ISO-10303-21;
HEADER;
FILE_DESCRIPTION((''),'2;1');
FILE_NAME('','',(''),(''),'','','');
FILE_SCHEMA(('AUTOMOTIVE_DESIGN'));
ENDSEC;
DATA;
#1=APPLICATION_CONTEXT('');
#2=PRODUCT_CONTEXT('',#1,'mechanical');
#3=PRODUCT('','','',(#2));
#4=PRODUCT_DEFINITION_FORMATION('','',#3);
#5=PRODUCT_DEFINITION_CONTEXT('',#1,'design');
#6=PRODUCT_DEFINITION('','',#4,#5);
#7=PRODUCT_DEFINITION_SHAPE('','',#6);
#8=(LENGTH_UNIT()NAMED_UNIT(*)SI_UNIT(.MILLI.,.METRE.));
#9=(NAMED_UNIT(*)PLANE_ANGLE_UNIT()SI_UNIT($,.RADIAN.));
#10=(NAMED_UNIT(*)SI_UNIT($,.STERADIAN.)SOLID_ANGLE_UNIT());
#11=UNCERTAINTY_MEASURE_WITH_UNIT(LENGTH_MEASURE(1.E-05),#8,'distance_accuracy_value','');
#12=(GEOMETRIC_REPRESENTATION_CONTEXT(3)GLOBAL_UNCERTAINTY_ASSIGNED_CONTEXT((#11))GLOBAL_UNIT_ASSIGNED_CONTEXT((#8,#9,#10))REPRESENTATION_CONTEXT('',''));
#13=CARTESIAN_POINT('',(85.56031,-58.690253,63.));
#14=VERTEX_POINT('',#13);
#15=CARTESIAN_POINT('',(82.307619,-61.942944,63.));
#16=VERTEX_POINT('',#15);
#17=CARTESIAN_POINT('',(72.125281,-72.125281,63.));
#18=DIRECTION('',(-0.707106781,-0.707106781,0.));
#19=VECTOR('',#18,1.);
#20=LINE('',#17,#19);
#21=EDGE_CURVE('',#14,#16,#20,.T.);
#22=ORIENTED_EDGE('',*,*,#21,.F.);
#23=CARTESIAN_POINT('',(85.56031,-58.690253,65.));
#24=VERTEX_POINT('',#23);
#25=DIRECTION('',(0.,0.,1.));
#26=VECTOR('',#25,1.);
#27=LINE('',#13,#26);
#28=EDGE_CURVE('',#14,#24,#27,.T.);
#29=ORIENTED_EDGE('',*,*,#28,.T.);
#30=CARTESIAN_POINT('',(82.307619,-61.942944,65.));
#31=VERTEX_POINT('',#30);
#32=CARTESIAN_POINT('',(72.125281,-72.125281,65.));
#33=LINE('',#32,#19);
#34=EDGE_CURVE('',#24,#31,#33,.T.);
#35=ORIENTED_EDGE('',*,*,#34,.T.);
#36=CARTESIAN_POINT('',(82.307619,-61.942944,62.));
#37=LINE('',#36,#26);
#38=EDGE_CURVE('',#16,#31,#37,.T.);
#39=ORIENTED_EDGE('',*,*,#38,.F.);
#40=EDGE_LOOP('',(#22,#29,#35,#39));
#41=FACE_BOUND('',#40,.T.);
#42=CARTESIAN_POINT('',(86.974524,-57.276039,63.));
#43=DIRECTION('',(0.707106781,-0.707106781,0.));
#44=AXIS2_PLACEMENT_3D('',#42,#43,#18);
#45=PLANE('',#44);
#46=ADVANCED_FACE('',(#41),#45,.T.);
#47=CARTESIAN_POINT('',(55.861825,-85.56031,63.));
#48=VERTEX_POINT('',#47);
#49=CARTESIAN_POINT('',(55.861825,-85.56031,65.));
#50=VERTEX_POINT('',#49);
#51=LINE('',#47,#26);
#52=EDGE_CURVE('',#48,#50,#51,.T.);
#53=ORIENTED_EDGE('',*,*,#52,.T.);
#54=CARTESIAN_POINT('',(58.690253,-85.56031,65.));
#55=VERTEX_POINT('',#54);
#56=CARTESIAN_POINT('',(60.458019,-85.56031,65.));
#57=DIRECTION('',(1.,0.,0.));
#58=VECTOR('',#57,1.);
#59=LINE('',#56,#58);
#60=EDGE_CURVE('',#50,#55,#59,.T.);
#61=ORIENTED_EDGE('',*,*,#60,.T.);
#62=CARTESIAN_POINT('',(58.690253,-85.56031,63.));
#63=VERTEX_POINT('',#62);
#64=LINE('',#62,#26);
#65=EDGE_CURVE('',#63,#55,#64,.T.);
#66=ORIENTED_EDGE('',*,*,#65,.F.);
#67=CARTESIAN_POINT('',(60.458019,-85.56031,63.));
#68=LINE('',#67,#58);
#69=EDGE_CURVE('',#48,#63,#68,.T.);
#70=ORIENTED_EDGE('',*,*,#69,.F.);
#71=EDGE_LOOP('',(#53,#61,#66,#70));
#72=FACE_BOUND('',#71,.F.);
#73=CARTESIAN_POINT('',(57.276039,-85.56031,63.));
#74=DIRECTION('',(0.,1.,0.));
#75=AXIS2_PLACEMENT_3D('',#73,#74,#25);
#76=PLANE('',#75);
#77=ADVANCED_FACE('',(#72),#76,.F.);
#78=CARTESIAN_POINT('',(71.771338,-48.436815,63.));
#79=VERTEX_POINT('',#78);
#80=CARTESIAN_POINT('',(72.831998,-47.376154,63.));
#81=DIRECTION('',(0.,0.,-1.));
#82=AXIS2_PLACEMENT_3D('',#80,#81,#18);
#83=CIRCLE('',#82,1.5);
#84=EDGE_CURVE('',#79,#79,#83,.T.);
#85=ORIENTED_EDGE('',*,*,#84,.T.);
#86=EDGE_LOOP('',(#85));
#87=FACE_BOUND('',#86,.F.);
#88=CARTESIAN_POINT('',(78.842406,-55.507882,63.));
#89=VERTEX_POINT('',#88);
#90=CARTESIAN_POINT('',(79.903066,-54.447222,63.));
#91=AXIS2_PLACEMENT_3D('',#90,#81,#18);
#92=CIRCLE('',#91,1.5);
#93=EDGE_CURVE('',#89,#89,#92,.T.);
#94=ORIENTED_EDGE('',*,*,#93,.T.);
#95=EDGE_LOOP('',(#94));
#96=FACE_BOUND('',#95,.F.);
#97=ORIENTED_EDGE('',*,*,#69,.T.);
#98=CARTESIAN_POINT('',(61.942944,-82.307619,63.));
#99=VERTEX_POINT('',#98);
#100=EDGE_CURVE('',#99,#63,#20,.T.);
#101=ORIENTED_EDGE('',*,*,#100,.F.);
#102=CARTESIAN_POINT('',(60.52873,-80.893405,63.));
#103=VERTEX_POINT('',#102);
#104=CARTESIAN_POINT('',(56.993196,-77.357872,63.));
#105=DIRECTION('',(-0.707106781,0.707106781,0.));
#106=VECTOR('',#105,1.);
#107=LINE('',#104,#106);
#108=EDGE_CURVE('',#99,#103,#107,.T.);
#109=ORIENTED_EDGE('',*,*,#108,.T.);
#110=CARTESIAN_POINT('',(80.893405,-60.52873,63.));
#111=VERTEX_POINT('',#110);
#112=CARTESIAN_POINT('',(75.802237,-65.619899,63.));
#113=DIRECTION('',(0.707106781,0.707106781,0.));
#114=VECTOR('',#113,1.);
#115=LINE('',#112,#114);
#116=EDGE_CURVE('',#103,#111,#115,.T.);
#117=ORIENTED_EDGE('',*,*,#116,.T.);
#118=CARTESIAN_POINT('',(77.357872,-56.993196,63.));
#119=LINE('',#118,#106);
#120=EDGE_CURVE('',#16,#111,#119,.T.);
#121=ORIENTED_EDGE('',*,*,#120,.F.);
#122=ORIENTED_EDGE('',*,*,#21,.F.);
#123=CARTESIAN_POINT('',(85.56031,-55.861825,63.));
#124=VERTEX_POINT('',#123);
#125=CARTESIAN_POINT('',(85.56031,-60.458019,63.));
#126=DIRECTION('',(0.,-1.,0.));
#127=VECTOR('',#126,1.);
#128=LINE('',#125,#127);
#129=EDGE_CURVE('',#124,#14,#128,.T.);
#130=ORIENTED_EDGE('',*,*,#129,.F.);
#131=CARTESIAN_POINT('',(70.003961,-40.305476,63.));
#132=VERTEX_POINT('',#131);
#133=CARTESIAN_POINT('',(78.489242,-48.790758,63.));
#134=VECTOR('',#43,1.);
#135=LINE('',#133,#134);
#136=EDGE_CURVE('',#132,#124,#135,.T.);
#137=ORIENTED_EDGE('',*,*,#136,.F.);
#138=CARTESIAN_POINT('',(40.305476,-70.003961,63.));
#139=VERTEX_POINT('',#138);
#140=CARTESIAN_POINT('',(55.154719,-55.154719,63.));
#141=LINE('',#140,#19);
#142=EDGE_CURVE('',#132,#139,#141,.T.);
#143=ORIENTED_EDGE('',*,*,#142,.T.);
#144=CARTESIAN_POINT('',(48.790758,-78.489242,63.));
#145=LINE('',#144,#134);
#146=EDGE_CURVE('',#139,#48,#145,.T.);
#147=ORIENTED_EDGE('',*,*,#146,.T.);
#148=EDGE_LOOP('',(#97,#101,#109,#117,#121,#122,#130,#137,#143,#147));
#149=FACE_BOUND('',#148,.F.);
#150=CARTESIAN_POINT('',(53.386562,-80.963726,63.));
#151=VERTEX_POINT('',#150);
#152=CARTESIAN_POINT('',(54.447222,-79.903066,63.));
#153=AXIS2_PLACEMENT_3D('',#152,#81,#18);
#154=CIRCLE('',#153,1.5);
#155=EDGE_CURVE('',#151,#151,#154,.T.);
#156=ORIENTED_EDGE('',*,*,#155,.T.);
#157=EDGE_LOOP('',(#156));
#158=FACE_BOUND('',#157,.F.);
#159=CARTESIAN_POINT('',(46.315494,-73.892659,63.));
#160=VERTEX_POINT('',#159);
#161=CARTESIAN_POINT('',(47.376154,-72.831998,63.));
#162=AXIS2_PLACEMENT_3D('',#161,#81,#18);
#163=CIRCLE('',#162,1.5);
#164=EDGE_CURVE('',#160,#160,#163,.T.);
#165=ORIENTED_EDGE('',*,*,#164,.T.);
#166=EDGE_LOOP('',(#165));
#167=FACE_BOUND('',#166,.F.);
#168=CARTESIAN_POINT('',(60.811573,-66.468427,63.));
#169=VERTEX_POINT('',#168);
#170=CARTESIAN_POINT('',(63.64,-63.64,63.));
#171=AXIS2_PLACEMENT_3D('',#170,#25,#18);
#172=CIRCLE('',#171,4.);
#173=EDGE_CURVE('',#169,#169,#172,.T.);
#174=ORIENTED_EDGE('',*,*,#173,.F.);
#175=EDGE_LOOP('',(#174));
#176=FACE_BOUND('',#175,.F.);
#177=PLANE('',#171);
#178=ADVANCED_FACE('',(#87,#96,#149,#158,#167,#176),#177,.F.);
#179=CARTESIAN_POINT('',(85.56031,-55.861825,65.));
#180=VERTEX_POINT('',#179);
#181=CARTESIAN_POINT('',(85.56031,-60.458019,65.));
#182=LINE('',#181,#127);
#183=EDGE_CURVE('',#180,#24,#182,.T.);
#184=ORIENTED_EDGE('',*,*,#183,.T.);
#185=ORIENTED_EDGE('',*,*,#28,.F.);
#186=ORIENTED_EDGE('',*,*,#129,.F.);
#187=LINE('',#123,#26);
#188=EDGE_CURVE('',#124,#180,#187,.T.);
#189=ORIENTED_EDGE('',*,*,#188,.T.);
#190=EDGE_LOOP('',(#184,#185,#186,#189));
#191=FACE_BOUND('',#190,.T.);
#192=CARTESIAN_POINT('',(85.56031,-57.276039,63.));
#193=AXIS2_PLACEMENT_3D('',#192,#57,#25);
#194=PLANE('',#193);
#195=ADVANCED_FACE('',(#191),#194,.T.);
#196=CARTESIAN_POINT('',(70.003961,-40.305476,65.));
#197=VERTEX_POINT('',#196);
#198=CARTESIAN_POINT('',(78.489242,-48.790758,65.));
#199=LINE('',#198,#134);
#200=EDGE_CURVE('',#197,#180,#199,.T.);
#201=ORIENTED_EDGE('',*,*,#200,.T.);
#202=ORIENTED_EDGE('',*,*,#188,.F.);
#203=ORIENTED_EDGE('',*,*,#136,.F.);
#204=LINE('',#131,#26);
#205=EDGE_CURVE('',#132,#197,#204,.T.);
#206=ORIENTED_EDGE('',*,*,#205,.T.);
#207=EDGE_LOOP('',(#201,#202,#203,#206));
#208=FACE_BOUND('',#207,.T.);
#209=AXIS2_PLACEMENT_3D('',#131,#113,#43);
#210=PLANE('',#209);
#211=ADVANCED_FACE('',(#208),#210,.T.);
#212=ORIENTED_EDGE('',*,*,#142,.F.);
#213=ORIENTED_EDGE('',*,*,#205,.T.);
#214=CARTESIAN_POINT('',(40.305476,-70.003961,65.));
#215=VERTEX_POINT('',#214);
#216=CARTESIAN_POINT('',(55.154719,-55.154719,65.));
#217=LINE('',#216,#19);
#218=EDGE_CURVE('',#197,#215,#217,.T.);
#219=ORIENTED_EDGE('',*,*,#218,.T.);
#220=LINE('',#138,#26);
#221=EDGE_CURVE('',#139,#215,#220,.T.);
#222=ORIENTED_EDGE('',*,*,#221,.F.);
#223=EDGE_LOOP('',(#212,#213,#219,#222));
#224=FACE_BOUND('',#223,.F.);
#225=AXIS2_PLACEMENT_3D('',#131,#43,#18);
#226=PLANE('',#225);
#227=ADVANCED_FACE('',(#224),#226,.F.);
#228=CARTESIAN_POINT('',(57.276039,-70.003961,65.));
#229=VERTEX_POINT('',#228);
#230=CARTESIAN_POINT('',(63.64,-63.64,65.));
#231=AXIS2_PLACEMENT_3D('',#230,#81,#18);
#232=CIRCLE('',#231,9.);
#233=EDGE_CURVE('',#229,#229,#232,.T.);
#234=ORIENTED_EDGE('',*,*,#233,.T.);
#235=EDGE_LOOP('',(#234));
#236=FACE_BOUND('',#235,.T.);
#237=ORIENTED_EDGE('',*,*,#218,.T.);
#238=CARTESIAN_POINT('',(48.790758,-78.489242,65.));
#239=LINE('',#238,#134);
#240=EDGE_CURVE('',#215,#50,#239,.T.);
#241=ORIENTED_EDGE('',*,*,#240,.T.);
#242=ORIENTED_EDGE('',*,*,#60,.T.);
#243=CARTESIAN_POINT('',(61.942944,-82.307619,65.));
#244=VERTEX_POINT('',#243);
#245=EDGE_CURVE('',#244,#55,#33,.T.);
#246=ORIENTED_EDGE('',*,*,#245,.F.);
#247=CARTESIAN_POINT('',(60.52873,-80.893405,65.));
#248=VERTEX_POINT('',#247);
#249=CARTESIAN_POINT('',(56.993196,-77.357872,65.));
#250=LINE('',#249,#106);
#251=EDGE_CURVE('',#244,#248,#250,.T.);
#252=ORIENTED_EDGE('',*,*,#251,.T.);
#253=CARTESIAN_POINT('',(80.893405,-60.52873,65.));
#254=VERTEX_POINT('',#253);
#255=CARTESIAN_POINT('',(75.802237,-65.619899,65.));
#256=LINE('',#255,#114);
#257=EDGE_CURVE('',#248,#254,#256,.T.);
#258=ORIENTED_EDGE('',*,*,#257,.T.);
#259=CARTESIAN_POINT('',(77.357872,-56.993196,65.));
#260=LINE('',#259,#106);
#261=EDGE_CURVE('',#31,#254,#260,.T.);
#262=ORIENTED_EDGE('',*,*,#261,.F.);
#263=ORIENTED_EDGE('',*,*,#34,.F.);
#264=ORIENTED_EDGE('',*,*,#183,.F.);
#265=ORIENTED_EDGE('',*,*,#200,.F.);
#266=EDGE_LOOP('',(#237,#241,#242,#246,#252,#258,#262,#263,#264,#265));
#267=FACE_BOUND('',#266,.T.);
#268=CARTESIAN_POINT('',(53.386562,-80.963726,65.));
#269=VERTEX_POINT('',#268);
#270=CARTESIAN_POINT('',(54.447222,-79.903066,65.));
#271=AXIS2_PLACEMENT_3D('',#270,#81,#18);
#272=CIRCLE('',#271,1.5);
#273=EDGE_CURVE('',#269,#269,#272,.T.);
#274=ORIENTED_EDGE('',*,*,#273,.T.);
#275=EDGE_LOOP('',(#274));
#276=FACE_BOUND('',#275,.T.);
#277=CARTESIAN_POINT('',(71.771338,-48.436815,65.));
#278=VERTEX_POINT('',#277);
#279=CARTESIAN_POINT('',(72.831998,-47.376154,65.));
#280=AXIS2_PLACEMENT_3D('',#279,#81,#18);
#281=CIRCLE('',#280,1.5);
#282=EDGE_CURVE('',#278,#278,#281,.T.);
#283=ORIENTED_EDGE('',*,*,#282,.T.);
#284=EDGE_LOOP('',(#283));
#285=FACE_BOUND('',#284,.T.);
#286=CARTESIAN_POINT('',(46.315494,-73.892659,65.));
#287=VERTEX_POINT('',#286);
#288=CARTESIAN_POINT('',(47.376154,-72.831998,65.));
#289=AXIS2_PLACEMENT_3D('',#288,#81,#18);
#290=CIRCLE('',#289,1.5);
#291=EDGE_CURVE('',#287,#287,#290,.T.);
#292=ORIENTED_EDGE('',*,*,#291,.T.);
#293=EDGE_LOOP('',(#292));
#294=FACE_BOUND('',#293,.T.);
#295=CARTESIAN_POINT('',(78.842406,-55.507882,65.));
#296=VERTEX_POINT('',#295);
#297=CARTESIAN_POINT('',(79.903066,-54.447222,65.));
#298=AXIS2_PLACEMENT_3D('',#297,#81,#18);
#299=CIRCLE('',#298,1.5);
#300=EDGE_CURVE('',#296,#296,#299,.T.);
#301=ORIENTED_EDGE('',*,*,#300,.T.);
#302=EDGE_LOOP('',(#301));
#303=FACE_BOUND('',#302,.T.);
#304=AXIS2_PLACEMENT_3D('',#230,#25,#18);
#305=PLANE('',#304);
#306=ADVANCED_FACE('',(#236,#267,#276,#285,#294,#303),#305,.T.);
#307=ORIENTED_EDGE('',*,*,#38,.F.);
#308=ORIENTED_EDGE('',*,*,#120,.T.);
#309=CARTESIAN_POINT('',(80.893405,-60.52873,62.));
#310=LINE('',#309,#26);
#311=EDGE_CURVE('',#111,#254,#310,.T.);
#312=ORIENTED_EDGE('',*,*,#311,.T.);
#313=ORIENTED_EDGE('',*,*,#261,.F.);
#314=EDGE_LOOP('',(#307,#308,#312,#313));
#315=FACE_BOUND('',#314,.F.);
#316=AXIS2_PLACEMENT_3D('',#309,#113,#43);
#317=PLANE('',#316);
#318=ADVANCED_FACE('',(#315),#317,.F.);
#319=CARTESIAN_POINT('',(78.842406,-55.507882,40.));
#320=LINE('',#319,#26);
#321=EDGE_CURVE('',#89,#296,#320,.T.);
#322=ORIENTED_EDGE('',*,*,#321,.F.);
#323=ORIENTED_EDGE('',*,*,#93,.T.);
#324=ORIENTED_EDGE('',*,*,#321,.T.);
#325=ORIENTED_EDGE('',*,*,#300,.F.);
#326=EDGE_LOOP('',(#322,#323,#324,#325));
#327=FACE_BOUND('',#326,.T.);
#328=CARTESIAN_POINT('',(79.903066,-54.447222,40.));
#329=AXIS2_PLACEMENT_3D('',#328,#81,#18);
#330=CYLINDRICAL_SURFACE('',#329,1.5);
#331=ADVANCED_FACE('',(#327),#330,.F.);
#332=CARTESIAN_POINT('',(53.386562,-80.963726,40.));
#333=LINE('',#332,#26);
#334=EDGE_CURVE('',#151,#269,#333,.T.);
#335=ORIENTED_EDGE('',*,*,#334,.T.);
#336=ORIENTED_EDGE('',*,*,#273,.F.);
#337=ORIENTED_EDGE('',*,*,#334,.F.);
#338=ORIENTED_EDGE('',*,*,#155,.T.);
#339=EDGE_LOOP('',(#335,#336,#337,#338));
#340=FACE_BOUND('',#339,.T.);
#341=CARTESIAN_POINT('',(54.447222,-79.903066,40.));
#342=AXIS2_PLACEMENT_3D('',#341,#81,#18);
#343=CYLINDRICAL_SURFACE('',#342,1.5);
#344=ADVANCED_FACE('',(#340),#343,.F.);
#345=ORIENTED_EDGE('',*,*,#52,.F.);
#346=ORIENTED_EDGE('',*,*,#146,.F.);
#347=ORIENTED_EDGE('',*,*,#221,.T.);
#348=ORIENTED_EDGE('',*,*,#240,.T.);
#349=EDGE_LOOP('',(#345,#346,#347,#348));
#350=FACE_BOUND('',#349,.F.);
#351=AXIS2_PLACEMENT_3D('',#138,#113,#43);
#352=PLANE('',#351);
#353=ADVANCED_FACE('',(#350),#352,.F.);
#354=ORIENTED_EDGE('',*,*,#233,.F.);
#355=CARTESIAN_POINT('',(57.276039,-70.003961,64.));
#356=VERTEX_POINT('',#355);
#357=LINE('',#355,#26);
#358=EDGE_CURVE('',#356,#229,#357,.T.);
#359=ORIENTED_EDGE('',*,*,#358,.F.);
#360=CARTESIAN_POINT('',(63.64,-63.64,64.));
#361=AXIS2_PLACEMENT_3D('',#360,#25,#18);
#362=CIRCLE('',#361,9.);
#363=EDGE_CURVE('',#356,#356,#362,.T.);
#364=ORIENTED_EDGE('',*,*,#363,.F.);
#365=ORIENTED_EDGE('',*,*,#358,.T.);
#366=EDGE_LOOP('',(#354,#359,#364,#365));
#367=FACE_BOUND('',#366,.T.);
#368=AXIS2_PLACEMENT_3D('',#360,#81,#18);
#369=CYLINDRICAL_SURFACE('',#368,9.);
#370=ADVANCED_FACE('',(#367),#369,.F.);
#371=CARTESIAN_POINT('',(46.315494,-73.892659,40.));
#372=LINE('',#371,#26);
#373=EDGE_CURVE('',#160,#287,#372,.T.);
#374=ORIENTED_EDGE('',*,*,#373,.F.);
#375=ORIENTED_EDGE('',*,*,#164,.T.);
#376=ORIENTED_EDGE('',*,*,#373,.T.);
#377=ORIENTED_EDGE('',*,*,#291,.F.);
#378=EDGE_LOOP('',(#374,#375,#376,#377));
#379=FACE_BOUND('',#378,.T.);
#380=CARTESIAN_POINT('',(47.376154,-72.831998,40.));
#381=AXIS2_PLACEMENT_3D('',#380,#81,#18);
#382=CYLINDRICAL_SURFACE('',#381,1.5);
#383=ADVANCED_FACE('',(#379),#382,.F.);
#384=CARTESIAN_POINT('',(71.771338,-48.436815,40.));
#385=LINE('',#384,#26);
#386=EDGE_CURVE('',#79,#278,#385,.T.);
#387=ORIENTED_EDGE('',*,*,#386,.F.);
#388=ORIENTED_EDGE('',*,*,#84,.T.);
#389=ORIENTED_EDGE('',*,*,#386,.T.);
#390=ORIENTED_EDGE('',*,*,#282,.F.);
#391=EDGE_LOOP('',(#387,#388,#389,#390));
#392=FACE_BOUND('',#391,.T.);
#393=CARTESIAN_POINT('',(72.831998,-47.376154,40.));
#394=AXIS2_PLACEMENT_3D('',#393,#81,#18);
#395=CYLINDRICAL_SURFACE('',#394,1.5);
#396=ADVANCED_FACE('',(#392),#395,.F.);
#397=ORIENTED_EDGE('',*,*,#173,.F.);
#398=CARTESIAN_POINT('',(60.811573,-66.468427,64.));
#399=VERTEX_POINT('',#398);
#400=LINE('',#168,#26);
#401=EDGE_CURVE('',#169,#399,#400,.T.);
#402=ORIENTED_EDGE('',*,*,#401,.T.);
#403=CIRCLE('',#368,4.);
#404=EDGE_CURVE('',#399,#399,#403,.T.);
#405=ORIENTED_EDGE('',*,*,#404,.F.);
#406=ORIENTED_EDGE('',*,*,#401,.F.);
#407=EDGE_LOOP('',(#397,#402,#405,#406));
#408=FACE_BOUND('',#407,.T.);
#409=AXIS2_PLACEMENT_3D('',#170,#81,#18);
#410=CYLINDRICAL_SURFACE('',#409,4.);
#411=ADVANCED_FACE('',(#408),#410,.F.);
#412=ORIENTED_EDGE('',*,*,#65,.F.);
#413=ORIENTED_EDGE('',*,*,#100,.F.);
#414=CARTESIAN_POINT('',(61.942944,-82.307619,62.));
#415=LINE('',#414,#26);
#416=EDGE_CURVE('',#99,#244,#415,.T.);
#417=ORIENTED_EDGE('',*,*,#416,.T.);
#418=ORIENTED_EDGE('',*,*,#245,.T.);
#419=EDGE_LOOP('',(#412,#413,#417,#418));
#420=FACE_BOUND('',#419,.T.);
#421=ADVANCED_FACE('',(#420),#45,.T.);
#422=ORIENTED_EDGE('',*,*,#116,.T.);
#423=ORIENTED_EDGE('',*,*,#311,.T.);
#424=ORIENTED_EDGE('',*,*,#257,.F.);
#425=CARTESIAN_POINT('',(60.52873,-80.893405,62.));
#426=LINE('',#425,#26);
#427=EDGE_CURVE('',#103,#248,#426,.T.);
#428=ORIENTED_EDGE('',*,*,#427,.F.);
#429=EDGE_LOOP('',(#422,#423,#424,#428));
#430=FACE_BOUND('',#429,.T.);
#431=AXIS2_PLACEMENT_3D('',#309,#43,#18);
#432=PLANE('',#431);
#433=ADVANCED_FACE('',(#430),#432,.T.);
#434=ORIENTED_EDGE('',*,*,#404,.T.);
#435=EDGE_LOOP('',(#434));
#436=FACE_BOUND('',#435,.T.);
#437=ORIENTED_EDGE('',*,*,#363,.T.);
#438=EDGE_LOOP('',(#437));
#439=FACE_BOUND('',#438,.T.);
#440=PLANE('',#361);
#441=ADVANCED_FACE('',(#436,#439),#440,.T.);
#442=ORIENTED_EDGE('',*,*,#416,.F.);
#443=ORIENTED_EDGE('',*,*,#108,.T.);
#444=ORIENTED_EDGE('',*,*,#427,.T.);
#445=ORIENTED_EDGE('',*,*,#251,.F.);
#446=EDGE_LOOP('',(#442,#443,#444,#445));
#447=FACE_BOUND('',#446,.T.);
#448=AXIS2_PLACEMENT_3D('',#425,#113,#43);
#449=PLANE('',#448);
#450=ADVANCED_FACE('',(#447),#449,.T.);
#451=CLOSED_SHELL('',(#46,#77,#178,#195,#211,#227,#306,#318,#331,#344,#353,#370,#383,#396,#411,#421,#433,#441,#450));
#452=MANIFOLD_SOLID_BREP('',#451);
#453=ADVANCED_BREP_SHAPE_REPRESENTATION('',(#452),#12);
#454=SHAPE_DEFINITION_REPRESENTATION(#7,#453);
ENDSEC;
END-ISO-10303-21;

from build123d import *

# Parameters (mm, degrees)
CYLINDER1760_R               = 9
CYLINDER1760_DEPTH           = 4
CYLINDER1760_PLACEMENT_ANGLE = 225
BOX711_W                     = 28.8
BOX711_H                     = 2
BOX711_DEPTH                 = 4
COMPOUND890_PLACEMENT_ANGLE  = 225
CYLINDER1692_R               = 1.5
CYLINDER1692_DEPTH           = 60
CYLINDER1689_R               = 1.5
CYLINDER1689_DEPTH           = 60
CYLINDER1690_R               = 1.5
CYLINDER1690_DEPTH           = 60
CYLINDER1691_R               = 1.5
CYLINDER1691_DEPTH           = 60
COMPOUND833_PLACEMENT_ANGLE  = 225
CYLINDER1645_R               = 4
CYLINDER1645_DEPTH           = 4
CYLINDER1645_PLACEMENT_ANGLE = 225
BOX657_W                     = 42
BOX657_H                     = 24
BOX657_DEPTH                 = 2
COMPOUND818_PLACEMENT_ANGLE  = 225
CHAMFER058_SIZE              = 2


with BuildPart() as v_lec1760:
    # Cylinder1760 → Cylinder1760 (new body)
    with BuildSketch(Plane.XY):
        Circle(CYLINDER1760_R)
    extrude(amount=CYLINDER1760_DEPTH)


with BuildPart() as v_lec1760_1:
    # Cylinder1760 placement: moved
    add(v_lec1760.part.moved(Location((63.64, -63.64, 64))).rotate(Axis((63.64, -63.64, 64), (0, 0, 1)), CYLINDER1760_PLACEMENT_ANGLE))


with BuildPart() as compound890:
    # Box711 → Box711 (new body)
    with BuildSketch(Plane(origin=(-14.4, 10, 24), x_dir=(1, 0, 0), z_dir=(0, 0, 1))):
        with Locations((14.4, 1)):
            Rectangle(BOX711_W, BOX711_H)
    extrude(amount=BOX711_DEPTH)


with BuildPart() as compound890_1:
    # Compound890 placement: moved
    add(compound890.part.moved(Location((63.64, -63.64, 38))).rotate(Axis((63.64, -63.64, 38), (0, 0, 1)), COMPOUND890_PLACEMENT_ANGLE))


with BuildPart() as v_lec1692:
    # Cylinder1692 → Cylinder1692 (new body)
    with BuildSketch(Plane(origin=(18, 85, -57), x_dir=(1, 0, 0), z_dir=(0, 0, 1))):
        Circle(CYLINDER1692_R)
    extrude(amount=CYLINDER1692_DEPTH)


with BuildPart() as v_lec1689:
    # Cylinder1689 → Cylinder1689 (new body)
    with BuildSketch(Plane(origin=(-18, 85, -57), x_dir=(1, 0, 0), z_dir=(0, 0, 1))):
        Circle(CYLINDER1689_R)
    extrude(amount=CYLINDER1689_DEPTH)


with BuildPart() as v_lec1690:
    # Cylinder1690 → Cylinder1690 (new body)
    with BuildSketch(Plane(origin=(-18, 95, -57), x_dir=(1, 0, 0), z_dir=(0, 0, 1))):
        Circle(CYLINDER1690_R)
    extrude(amount=CYLINDER1690_DEPTH)


with BuildPart() as compound833:
    # Cylinder1691 → Cylinder1691 (new body)
    with BuildSketch(Plane(origin=(18, 95, -57), x_dir=(1, 0, 0), z_dir=(0, 0, 1))):
        Circle(CYLINDER1691_R)
    extrude(amount=CYLINDER1691_DEPTH)

    # Compound833: union Válec1692, Válec1689, Válec1690
    add(v_lec1692.part)
    add(v_lec1689.part)
    add(v_lec1690.part)


with BuildPart() as compound833_1:
    # Compound833 placement: moved
    add(compound833.part.moved(Location((0, 0, 100))).rotate(Axis((0, 0, 100), (0, 0, 1)), COMPOUND833_PLACEMENT_ANGLE))


with BuildPart() as v_lec1645:
    # Cylinder1645 → Cylinder1645 (new body)
    with BuildSketch(Plane.XY):
        Circle(CYLINDER1645_R)
    extrude(amount=CYLINDER1645_DEPTH)


with BuildPart() as v_lec1645_1:
    # Cylinder1645 placement: moved
    add(v_lec1645.part.moved(Location((63.64, -63.64, 76))).rotate(Axis((63.64, -63.64, 76), (0, 0, 1)), CYLINDER1645_PLACEMENT_ANGLE))


with BuildPart() as base_encoder_washer:
    # Box657 → Box657 (new body)
    with BuildSketch(Plane(origin=(-21, -12, 34), x_dir=(1, 0, 0), z_dir=(0, 0, 1))):
        with Locations((21, 12)):
            Rectangle(BOX657_W, BOX657_H)
    extrude(amount=BOX657_DEPTH)


with BuildPart() as base_encoder_washer_1:
    # Compound818 placement: moved
    add(base_encoder_washer.part.moved(Location((63.64, -63.64, 42))).rotate(Axis((63.64, -63.64, 42), (0, 0, 1)), COMPOUND818_PLACEMENT_ANGLE))

    # Cut472: cut Válec1645
    add(v_lec1645_1.part, mode=Mode.SUBTRACT)


with BuildPart() as base_encoder_washer_2:
    # Cut472 placement: moved
    add(base_encoder_washer_1.part.moved(Location((0, 0, -10))))

    # Cut481: cut Compound833
    add(compound833_1.part, mode=Mode.SUBTRACT)


with BuildPart() as base_encoder_washer_3:
    # Cut481 placement: moved
    add(base_encoder_washer_2.part.moved(Location((0, 0, -3))))

    # Cut522: cut Compound890
    add(compound890_1.part, mode=Mode.SUBTRACT)

    # Cut523: cut Válec1760
    add(v_lec1760_1.part, mode=Mode.SUBTRACT)

    # Chamfer058
    chamfer058_edges = [base_encoder_washer_3.edges().sort_by_distance(p)[0] for p in [
        (86.974524, -57.276039, 64),
        (57.276039, -86.974524, 64),
    ]]
    chamfer(chamfer058_edges, length=CHAMFER058_SIZE)


solid = base_encoder_washer_3.part
